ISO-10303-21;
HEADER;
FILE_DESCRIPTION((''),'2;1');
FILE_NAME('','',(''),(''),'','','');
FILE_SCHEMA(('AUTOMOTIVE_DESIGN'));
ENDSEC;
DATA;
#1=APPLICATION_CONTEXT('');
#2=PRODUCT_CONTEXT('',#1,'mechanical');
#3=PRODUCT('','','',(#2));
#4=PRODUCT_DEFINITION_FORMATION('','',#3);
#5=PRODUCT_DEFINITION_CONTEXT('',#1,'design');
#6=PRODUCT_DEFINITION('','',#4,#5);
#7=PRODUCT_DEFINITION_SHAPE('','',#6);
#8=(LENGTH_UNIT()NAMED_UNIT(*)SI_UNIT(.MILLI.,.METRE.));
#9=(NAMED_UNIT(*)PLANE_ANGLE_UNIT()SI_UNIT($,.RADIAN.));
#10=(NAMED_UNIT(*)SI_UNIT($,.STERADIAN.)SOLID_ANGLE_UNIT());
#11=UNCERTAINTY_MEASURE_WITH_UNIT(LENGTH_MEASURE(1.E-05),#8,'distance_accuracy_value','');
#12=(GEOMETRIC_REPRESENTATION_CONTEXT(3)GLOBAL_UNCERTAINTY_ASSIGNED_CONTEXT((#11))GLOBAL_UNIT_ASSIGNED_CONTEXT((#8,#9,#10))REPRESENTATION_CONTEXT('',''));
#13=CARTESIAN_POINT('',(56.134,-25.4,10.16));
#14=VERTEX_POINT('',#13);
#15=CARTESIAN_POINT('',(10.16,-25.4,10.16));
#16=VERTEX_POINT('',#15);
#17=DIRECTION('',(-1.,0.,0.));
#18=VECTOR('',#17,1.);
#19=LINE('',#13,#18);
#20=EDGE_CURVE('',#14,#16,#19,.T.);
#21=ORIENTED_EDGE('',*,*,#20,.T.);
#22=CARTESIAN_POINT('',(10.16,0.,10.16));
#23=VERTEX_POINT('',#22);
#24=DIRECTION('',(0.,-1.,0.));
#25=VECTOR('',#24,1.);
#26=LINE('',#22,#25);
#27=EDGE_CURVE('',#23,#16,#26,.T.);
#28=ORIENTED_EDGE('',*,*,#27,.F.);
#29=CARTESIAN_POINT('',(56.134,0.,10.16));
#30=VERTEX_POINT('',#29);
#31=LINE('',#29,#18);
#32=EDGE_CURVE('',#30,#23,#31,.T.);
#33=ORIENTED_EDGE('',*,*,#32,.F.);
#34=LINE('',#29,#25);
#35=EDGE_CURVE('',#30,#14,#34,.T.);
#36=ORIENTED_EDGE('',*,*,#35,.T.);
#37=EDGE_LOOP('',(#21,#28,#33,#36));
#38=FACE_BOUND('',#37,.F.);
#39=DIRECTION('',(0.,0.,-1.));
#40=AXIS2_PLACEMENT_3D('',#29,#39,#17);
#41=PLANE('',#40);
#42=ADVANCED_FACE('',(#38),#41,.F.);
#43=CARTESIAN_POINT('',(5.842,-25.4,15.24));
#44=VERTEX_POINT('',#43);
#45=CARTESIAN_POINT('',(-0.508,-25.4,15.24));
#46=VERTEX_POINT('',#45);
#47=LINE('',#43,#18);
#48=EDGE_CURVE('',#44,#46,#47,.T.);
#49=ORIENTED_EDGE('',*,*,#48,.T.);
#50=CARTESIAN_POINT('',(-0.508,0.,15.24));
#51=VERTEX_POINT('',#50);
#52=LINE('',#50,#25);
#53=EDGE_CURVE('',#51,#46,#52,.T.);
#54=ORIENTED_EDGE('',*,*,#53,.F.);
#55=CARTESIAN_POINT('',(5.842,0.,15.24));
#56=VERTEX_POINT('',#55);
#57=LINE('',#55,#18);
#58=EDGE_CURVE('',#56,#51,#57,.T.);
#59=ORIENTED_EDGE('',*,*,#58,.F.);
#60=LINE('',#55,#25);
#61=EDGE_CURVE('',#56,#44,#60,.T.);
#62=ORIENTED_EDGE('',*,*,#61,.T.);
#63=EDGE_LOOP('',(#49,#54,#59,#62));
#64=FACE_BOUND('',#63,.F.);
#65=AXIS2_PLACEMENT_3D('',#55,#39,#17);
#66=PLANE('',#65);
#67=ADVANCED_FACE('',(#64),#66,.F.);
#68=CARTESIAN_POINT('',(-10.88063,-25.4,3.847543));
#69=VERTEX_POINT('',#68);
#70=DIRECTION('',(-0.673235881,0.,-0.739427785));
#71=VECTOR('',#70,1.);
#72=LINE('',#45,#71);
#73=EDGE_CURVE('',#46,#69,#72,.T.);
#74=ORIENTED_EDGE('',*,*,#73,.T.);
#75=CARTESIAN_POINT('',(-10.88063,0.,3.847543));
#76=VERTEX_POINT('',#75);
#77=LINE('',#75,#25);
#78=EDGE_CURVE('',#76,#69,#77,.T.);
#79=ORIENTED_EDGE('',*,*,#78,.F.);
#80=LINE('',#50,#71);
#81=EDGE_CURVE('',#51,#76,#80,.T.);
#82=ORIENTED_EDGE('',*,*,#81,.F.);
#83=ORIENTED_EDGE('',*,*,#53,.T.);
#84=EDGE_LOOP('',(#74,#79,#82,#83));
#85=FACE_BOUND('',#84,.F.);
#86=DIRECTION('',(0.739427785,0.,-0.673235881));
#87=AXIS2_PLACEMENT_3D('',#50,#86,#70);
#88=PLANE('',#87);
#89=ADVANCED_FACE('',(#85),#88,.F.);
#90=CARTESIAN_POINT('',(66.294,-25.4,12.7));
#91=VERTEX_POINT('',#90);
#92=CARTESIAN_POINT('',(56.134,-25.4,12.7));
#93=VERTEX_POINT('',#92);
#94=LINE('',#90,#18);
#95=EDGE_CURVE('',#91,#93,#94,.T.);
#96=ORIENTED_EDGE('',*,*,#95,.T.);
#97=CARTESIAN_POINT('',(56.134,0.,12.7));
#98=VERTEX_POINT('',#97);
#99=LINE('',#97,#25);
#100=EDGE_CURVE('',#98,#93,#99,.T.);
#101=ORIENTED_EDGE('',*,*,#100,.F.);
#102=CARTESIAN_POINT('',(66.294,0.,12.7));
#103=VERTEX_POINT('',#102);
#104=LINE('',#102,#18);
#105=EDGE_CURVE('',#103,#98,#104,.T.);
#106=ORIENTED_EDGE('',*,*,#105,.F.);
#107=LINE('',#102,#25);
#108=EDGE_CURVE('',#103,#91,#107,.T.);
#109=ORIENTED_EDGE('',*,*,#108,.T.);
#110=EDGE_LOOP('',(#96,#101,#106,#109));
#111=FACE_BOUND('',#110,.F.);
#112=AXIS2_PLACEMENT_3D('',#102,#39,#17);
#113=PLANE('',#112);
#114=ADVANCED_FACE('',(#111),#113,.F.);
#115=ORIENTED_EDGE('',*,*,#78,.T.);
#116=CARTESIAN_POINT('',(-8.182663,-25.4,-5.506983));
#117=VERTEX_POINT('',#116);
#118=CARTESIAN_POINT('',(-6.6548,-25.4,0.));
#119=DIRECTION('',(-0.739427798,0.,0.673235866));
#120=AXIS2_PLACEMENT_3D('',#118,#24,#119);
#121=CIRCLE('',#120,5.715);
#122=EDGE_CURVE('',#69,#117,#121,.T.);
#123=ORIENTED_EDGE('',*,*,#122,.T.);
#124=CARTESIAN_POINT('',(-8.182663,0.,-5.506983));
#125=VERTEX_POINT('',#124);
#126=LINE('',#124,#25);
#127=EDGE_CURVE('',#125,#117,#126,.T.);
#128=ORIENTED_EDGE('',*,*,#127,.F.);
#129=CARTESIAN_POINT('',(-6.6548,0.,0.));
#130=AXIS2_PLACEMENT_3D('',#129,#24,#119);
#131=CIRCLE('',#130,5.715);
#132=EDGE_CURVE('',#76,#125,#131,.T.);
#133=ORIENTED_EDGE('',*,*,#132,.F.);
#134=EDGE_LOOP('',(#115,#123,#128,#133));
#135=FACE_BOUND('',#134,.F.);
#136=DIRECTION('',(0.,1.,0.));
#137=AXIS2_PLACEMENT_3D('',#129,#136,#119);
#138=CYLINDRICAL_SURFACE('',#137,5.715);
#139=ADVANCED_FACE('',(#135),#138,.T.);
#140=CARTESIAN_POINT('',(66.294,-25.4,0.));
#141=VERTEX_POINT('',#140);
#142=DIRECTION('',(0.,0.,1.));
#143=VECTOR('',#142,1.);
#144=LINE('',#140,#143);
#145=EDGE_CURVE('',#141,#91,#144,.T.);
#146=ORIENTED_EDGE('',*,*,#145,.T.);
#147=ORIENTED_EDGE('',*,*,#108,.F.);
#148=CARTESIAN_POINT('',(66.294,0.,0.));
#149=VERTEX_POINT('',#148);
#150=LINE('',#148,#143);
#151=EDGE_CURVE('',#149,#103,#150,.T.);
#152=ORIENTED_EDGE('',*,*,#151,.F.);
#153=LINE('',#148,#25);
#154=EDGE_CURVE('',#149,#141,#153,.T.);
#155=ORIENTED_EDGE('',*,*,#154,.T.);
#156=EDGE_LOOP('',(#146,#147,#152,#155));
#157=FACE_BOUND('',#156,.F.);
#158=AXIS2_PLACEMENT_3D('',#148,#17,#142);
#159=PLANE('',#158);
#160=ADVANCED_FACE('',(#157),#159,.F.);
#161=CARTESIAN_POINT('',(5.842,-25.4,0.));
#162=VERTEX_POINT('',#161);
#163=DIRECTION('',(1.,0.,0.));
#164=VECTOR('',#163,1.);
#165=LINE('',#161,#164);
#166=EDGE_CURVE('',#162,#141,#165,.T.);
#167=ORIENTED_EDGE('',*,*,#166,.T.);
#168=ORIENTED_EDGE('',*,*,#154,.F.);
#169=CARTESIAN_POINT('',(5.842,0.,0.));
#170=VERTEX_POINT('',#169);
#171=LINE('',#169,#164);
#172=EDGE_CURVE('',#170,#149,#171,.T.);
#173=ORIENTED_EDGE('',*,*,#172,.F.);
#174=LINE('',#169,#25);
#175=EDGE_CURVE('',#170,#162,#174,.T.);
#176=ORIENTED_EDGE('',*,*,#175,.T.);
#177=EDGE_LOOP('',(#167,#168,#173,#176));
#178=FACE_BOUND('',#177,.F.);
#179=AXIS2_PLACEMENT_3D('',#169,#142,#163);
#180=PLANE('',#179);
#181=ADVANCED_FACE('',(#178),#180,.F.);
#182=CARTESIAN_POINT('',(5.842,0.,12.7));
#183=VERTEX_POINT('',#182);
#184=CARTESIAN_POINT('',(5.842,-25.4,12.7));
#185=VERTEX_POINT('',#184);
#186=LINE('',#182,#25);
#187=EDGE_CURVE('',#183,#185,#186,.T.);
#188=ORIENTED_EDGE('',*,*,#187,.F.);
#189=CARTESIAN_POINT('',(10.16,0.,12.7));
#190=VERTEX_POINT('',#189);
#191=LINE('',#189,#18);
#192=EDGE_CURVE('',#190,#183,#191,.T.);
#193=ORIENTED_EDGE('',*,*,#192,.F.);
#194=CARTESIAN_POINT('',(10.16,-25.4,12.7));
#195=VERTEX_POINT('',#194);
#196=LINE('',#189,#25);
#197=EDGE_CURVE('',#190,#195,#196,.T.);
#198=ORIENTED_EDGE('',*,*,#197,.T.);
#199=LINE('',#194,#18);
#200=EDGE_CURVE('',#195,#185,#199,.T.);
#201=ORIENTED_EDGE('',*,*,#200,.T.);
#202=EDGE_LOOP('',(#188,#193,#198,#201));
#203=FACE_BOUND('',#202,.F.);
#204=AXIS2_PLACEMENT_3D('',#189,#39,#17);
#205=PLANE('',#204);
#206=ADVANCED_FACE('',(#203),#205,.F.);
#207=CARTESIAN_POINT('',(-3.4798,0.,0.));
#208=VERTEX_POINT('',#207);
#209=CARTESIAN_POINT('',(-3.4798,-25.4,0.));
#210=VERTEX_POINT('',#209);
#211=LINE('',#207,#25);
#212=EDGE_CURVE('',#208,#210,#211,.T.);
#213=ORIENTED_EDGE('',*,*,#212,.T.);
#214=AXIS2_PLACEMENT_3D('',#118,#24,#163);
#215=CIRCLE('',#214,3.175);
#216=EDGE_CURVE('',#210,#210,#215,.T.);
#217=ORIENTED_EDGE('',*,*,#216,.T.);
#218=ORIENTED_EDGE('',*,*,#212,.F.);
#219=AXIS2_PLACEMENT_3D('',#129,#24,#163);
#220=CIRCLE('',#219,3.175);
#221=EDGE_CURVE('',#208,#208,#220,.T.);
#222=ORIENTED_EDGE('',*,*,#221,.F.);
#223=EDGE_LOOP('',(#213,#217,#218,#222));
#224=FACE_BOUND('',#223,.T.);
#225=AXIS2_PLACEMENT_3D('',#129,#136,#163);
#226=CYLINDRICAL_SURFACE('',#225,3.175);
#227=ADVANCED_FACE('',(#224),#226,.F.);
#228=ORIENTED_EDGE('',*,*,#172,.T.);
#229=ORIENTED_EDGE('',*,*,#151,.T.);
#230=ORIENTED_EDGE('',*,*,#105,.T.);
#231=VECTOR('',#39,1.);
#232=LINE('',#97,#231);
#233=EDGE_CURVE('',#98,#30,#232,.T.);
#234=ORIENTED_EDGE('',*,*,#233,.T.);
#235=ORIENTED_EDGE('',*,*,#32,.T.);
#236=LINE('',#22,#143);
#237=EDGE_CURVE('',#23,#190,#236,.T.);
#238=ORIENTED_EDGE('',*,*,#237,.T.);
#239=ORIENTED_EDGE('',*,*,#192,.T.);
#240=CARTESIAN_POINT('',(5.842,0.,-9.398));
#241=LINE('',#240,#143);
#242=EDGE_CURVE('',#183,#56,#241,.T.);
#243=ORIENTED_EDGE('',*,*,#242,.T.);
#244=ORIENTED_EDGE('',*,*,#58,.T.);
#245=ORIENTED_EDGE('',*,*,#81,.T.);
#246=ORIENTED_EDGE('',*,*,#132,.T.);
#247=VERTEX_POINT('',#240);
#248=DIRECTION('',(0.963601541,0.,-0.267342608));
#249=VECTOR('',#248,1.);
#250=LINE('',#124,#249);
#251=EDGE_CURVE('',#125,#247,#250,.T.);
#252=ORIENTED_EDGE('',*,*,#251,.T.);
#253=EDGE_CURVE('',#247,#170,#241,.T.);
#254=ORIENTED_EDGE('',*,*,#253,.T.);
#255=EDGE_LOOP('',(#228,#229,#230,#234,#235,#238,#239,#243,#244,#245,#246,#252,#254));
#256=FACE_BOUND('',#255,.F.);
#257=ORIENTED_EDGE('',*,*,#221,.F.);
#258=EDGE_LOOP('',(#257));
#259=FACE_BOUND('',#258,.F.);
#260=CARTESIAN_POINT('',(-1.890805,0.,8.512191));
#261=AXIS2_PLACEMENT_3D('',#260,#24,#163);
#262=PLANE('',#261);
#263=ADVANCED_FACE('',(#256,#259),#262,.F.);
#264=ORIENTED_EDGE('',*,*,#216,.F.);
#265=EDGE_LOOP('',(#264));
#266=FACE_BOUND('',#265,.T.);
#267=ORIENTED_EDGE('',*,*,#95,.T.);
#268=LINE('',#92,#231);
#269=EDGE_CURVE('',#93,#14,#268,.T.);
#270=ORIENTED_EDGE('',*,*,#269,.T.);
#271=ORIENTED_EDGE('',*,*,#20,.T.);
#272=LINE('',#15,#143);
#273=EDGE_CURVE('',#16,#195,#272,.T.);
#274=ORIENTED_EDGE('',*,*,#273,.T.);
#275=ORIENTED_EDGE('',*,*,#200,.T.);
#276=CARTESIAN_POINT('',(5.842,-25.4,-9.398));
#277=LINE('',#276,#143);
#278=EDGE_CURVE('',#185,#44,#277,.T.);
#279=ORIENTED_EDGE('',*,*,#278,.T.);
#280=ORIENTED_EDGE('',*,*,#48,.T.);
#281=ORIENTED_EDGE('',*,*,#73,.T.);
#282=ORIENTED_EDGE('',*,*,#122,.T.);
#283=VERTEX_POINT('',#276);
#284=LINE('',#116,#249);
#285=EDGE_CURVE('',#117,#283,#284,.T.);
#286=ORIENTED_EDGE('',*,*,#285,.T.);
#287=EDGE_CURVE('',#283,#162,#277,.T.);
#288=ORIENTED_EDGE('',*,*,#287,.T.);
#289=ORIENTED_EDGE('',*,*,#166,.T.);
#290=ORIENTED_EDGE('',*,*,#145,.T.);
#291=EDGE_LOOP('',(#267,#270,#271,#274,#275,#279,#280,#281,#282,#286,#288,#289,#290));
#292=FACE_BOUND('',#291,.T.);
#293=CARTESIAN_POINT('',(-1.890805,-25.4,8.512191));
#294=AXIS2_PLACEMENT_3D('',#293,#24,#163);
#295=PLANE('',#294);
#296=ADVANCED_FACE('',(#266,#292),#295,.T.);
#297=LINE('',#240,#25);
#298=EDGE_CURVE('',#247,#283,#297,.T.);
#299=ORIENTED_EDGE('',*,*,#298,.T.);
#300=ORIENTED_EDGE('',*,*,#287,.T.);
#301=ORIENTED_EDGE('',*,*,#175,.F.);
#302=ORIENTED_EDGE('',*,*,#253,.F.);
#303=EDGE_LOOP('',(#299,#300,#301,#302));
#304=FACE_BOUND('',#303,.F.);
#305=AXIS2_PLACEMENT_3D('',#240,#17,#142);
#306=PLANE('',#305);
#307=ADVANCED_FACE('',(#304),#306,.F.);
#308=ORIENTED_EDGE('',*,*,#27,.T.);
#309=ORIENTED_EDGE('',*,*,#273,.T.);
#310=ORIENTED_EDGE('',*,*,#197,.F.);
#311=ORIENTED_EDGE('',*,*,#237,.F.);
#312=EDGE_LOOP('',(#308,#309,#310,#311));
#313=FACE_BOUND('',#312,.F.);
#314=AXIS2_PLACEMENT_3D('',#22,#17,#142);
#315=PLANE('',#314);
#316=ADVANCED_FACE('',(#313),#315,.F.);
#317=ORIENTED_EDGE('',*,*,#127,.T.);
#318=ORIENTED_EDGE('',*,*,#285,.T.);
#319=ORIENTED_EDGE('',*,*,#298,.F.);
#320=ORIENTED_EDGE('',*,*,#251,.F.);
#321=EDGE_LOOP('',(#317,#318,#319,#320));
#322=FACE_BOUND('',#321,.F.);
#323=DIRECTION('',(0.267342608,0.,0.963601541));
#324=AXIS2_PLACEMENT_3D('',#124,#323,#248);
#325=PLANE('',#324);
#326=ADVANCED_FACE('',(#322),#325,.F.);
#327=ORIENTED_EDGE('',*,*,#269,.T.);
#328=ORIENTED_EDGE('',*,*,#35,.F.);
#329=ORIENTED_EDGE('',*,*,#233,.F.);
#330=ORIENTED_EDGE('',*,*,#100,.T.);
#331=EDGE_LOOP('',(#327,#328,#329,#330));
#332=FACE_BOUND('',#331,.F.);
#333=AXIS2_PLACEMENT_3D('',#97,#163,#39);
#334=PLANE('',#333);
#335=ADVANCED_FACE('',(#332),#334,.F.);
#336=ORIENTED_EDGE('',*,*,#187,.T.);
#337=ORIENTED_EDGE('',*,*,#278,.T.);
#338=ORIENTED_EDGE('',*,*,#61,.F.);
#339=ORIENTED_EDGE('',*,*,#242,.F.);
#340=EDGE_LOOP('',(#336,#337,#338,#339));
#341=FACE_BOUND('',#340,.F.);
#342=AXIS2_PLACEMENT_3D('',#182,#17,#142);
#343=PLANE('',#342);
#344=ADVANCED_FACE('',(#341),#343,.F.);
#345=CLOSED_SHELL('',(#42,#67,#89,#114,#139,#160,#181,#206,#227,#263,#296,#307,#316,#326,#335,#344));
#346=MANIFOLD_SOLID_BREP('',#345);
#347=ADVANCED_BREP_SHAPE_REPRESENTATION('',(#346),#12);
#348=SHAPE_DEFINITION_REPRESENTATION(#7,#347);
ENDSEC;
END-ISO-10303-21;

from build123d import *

# Parameters (mm, degrees)
F0_R     = 3.175
F0_W     = 5.842
F0_H     = 12.7
F1_DEPTH = 25.4


with BuildPart() as f1:
    # F0 (on Front) → F1 (new body)
    with BuildSketch(Plane.XZ):
        with BuildLine():
            Line((-0.9398, 0), (0, 0))
            Line((0, 0), (0, 12.7))
            Line((0, 12.7), (5.842, 12.7))
            Line((5.842, 12.7), (5.842, 15.24))
            Line((5.842, 15.24), (-0.508, 15.24))
            Line((-0.508, 15.24), (-10.88063, 3.847543))
            ThreePointArc((-10.88063, 3.847543), (-4.591961, 5.329721), (-0.9398, 0))
        make_face()
        with BuildLine():
            ThreePointArc((-8.182663, -5.506983), (-3.195791, -4.549339), (-0.9398, 0))
            ThreePointArc((-0.9398, 0), (-4.591961, 5.329721), (-10.88063, 3.847543))
            ThreePointArc((-10.88063, 3.847543), (-12.145978, -1.583727), (-8.182663, -5.506983))
        make_face()
        with Locations((-6.6548, 0)):
            Circle(F0_R, mode=Mode.SUBTRACT)
        with BuildLine():
            Line((5.842, 0), (0, 0))
            Line((0, 0), (-0.9398, 0))
            ThreePointArc((-0.9398, 0), (-3.195791, -4.549339), (-8.182663, -5.506983))
            Line((-8.182663, -5.506983), (5.842, -9.398))
            Line((5.842, -9.398), (5.842, 0))
        make_face()
        with Locations((2.921, 6.35)):
            Rectangle(F0_W, F0_H)
        Polygon((5.842, 12.7), (5.842, 0), (66.294, 0), (66.294, 12.7), (56.134, 12.7), (56.134, 10.16), (10.16, 10.16), (10.16, 12.7), align=None)
    extrude(amount=F1_DEPTH)


solid = f1.part
